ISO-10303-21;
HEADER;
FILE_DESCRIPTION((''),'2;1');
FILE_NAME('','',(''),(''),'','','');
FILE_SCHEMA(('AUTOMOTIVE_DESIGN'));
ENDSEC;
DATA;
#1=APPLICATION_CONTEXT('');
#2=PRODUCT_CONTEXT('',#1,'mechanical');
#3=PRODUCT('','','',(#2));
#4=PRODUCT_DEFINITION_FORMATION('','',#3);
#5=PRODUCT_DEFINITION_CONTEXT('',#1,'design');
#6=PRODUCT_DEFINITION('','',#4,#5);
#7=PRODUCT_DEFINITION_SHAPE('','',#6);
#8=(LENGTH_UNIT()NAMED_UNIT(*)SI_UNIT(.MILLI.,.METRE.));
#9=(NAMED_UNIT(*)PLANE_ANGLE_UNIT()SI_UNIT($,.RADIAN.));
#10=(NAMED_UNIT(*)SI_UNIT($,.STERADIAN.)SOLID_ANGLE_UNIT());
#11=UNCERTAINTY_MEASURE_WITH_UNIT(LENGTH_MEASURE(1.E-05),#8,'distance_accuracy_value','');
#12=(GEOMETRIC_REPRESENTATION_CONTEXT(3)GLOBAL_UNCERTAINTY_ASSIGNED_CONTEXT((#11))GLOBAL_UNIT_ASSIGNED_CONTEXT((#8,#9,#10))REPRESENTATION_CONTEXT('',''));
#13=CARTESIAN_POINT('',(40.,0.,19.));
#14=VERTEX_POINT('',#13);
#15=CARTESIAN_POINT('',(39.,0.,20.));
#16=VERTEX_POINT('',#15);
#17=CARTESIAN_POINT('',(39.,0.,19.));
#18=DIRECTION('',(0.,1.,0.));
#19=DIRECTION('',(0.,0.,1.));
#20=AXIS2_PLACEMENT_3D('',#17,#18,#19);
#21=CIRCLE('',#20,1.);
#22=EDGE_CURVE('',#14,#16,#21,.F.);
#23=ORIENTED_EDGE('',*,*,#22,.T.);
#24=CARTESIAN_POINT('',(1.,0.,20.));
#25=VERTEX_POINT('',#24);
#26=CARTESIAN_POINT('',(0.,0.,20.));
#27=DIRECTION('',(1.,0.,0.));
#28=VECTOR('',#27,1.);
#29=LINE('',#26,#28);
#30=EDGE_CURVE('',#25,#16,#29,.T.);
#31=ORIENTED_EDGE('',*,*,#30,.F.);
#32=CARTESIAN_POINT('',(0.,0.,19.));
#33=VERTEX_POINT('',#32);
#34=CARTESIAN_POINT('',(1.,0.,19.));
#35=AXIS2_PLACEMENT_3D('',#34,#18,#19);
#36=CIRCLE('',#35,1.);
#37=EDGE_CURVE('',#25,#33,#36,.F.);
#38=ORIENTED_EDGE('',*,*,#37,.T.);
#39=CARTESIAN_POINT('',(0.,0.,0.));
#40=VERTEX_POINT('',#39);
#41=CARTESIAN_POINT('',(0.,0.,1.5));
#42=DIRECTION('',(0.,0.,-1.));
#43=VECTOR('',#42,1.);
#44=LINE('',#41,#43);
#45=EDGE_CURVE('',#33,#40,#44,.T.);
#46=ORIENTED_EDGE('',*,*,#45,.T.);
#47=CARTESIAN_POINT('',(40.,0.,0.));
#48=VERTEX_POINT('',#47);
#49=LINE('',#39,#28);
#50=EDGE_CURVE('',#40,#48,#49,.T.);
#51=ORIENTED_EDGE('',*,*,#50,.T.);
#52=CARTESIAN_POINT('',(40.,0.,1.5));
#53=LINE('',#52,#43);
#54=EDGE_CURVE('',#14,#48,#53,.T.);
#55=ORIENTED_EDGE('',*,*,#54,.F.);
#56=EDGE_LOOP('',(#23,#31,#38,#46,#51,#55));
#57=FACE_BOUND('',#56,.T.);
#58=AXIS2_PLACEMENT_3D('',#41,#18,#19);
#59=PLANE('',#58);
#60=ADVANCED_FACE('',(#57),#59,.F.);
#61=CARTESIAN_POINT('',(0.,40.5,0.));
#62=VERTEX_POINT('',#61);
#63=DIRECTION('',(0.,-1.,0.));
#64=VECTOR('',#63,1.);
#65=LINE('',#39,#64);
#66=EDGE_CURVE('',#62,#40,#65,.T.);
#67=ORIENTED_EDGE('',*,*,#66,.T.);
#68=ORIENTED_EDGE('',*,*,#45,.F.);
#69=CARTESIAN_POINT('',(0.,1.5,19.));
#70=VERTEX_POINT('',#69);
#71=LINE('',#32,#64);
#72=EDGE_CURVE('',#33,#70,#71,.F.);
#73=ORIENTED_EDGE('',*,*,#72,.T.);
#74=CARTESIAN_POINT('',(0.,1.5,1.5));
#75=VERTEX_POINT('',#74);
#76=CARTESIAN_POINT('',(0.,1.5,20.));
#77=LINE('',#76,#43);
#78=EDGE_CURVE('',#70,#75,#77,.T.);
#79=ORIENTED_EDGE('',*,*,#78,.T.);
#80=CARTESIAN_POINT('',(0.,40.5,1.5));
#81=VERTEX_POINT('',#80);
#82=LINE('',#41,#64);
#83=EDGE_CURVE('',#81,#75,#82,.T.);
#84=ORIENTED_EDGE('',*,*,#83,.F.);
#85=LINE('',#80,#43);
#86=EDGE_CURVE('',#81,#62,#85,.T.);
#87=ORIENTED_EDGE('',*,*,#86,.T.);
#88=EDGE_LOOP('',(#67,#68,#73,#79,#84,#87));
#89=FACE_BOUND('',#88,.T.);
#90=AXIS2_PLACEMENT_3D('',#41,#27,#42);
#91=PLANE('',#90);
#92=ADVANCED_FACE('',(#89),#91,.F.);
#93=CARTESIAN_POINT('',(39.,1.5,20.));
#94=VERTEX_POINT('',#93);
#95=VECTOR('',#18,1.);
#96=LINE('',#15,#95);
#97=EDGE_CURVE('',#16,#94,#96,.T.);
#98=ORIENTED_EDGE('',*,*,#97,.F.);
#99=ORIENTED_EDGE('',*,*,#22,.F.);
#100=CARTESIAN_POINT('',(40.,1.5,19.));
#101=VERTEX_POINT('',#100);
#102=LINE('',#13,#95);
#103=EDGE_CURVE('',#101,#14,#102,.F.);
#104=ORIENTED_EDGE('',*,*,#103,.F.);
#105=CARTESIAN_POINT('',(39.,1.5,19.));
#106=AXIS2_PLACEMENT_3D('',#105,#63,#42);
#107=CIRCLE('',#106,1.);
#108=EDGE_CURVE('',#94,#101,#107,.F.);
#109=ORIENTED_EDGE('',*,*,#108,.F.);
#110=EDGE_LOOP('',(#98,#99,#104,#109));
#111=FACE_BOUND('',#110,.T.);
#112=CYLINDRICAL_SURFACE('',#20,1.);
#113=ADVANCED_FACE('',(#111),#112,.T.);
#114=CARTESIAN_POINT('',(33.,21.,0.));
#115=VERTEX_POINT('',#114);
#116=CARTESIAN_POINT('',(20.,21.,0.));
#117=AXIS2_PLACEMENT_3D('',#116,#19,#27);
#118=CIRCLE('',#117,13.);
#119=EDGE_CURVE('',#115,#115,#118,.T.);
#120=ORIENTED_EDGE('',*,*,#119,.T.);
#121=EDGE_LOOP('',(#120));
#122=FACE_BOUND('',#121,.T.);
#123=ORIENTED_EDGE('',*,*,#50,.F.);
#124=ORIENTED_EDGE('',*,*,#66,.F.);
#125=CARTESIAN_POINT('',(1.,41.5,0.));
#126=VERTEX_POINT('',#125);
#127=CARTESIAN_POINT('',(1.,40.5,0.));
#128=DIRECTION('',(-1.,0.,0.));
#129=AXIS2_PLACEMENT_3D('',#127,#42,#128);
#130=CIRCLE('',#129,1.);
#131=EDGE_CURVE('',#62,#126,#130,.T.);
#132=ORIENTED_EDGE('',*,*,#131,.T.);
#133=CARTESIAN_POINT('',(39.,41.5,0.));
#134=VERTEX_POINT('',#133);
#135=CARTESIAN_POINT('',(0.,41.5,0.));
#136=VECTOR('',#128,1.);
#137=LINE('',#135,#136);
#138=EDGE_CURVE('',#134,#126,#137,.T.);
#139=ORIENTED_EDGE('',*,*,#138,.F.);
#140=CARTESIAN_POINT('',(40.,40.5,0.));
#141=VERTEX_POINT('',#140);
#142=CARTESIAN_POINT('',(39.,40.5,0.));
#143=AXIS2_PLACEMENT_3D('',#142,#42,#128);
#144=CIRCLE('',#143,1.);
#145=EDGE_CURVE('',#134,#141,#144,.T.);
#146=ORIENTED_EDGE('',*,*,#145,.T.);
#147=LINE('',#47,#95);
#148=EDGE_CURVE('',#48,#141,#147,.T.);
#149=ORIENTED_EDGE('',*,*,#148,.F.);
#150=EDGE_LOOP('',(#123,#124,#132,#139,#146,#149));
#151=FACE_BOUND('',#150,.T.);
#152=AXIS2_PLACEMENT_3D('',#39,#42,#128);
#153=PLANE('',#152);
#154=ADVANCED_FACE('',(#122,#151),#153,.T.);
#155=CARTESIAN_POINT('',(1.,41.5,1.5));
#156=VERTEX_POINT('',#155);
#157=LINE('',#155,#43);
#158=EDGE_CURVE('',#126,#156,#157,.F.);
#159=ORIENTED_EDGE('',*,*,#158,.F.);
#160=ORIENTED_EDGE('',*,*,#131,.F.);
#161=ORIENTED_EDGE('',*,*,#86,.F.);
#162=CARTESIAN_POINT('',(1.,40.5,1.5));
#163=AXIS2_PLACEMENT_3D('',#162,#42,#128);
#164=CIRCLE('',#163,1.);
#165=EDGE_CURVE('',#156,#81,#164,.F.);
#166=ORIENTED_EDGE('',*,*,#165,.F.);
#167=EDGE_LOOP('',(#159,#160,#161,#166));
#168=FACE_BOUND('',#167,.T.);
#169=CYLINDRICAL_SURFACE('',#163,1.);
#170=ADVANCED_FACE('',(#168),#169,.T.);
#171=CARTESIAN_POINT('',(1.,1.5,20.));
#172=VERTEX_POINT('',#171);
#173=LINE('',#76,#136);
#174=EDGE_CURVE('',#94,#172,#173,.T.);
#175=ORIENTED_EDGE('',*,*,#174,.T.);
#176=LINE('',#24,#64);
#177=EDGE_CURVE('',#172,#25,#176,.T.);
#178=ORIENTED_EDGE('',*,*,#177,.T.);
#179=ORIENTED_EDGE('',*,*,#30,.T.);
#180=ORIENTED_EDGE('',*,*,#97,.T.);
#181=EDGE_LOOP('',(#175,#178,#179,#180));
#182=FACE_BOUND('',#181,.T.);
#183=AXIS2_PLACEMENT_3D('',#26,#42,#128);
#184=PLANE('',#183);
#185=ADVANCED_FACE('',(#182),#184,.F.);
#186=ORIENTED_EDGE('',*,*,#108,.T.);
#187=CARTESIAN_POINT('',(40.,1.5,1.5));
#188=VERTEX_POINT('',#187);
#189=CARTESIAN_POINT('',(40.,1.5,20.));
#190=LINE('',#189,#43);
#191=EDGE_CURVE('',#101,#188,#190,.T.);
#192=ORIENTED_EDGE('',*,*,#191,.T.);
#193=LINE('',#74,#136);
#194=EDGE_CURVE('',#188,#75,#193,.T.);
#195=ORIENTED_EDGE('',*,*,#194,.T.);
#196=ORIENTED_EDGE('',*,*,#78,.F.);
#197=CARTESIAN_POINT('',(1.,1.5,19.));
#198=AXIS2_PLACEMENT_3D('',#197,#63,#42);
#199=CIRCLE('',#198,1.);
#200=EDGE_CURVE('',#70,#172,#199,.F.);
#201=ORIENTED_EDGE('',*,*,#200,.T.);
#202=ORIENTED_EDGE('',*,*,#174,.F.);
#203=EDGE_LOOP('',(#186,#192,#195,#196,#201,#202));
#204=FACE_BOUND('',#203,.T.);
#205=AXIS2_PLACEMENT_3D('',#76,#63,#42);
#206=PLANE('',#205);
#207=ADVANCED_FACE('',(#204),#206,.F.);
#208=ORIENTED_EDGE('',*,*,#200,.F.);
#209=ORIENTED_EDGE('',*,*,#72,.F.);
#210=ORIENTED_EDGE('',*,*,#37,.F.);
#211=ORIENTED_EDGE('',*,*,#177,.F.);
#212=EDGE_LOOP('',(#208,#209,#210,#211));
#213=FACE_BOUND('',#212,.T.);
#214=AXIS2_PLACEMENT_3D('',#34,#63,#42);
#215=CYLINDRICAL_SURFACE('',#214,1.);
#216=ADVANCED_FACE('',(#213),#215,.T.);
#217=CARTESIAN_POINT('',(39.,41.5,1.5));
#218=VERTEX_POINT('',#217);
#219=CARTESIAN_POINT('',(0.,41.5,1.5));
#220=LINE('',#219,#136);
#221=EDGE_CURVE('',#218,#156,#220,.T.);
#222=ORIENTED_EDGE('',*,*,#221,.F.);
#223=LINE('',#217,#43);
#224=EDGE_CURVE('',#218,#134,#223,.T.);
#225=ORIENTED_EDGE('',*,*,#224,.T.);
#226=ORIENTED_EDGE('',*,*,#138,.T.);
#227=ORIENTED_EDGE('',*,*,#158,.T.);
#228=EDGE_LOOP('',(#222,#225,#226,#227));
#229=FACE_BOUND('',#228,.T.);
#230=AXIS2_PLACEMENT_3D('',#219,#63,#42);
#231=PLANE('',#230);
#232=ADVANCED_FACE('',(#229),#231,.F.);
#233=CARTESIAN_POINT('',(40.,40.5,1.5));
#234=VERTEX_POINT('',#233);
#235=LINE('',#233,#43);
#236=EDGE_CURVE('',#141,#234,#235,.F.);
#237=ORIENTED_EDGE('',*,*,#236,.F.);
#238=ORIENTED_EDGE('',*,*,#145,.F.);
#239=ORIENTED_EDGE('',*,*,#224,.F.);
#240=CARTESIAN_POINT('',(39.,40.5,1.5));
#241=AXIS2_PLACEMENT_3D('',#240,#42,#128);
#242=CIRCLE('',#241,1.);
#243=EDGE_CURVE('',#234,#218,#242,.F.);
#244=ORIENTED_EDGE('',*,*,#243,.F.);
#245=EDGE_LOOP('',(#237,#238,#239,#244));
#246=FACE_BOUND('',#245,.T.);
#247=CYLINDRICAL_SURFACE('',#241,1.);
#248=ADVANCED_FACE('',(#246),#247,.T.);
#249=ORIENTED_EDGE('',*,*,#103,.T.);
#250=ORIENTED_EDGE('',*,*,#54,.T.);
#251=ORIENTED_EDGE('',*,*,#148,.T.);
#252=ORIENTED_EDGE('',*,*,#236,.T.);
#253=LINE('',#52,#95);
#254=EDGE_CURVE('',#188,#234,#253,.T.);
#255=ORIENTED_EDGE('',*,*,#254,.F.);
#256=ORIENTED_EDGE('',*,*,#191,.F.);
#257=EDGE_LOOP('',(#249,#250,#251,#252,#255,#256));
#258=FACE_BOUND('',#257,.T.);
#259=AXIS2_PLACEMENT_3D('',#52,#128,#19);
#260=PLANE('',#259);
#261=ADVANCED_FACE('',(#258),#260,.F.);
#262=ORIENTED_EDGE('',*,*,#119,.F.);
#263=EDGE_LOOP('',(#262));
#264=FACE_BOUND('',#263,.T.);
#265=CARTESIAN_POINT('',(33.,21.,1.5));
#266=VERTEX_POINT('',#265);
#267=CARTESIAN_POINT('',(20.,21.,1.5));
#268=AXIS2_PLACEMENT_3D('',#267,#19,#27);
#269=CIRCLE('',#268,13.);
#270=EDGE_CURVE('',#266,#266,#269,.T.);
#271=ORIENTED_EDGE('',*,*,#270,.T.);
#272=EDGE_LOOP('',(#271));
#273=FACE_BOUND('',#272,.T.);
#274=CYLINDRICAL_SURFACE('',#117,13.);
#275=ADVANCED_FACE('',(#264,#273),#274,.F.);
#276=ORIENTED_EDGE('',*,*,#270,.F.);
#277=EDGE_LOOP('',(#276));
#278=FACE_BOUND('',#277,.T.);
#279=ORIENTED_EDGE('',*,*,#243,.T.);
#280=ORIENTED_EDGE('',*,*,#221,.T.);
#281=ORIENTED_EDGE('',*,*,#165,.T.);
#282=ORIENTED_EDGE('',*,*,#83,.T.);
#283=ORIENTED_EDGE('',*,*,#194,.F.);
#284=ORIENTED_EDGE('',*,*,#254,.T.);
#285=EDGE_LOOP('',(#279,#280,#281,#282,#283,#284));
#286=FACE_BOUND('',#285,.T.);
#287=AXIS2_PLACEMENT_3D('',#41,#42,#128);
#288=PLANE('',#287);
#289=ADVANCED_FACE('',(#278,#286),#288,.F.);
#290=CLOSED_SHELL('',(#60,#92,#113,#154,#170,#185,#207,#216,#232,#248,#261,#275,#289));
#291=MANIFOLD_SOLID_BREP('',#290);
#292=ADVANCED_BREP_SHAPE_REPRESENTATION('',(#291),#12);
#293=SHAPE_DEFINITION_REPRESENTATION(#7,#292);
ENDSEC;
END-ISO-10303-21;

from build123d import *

# Parameters (mm, degrees)
SKETCH1_W           = 40
SKETCH1_H           = 41.5
BOSS_EXTRUDE1_DEPTH = 1.5
SKETCH2_W           = 40
SKETCH2_H           = 1.5
BOSS_EXTRUDE2_DEPTH = 18.5
FILLET1_R           = 1
FILLET2_R           = 1
SKETCH3_R           = 13
CUT_EXTRUDE1_DEPTH  = 1.5


with BuildPart() as part:
    # Sketch1 → Boss-Extrude1 (new body)
    with BuildSketch(Plane.XY):
        with Locations((20, 20.75)):
            Rectangle(SKETCH1_W, SKETCH1_H)
    extrude(amount=BOSS_EXTRUDE1_DEPTH)

    # Sketch2 → Boss-Extrude2 (add)
    with BuildSketch(Plane.XY.offset(1.5)):
        with Locations((20, 0.75)):
            Rectangle(SKETCH2_W, SKETCH2_H)
    extrude(amount=BOSS_EXTRUDE2_DEPTH)

    # Fillet1
    fillet1_edges = [part.edges().sort_by_distance(p)[0] for p in [
        (0, 41.5, 0.75),
    ]]
    fillet(fillet1_edges, radius=FILLET1_R)

    # Fillet2
    fillet2_edges = [part.edges().sort_by_distance(p)[0] for p in [
        (0, 0.75, 20),
        (40, 0.75, 20),
        (40, 41.5, 0.75),
    ]]
    fillet(fillet2_edges, radius=FILLET2_R)

    # Sketch3 → Cut-Extrude1 (cut)
    with BuildSketch(Plane.XY.offset(1.5)):
        with Locations((20, 21)):
            Circle(SKETCH3_R)
    extrude(amount=-CUT_EXTRUDE1_DEPTH, mode=Mode.SUBTRACT)


solid = part.part
